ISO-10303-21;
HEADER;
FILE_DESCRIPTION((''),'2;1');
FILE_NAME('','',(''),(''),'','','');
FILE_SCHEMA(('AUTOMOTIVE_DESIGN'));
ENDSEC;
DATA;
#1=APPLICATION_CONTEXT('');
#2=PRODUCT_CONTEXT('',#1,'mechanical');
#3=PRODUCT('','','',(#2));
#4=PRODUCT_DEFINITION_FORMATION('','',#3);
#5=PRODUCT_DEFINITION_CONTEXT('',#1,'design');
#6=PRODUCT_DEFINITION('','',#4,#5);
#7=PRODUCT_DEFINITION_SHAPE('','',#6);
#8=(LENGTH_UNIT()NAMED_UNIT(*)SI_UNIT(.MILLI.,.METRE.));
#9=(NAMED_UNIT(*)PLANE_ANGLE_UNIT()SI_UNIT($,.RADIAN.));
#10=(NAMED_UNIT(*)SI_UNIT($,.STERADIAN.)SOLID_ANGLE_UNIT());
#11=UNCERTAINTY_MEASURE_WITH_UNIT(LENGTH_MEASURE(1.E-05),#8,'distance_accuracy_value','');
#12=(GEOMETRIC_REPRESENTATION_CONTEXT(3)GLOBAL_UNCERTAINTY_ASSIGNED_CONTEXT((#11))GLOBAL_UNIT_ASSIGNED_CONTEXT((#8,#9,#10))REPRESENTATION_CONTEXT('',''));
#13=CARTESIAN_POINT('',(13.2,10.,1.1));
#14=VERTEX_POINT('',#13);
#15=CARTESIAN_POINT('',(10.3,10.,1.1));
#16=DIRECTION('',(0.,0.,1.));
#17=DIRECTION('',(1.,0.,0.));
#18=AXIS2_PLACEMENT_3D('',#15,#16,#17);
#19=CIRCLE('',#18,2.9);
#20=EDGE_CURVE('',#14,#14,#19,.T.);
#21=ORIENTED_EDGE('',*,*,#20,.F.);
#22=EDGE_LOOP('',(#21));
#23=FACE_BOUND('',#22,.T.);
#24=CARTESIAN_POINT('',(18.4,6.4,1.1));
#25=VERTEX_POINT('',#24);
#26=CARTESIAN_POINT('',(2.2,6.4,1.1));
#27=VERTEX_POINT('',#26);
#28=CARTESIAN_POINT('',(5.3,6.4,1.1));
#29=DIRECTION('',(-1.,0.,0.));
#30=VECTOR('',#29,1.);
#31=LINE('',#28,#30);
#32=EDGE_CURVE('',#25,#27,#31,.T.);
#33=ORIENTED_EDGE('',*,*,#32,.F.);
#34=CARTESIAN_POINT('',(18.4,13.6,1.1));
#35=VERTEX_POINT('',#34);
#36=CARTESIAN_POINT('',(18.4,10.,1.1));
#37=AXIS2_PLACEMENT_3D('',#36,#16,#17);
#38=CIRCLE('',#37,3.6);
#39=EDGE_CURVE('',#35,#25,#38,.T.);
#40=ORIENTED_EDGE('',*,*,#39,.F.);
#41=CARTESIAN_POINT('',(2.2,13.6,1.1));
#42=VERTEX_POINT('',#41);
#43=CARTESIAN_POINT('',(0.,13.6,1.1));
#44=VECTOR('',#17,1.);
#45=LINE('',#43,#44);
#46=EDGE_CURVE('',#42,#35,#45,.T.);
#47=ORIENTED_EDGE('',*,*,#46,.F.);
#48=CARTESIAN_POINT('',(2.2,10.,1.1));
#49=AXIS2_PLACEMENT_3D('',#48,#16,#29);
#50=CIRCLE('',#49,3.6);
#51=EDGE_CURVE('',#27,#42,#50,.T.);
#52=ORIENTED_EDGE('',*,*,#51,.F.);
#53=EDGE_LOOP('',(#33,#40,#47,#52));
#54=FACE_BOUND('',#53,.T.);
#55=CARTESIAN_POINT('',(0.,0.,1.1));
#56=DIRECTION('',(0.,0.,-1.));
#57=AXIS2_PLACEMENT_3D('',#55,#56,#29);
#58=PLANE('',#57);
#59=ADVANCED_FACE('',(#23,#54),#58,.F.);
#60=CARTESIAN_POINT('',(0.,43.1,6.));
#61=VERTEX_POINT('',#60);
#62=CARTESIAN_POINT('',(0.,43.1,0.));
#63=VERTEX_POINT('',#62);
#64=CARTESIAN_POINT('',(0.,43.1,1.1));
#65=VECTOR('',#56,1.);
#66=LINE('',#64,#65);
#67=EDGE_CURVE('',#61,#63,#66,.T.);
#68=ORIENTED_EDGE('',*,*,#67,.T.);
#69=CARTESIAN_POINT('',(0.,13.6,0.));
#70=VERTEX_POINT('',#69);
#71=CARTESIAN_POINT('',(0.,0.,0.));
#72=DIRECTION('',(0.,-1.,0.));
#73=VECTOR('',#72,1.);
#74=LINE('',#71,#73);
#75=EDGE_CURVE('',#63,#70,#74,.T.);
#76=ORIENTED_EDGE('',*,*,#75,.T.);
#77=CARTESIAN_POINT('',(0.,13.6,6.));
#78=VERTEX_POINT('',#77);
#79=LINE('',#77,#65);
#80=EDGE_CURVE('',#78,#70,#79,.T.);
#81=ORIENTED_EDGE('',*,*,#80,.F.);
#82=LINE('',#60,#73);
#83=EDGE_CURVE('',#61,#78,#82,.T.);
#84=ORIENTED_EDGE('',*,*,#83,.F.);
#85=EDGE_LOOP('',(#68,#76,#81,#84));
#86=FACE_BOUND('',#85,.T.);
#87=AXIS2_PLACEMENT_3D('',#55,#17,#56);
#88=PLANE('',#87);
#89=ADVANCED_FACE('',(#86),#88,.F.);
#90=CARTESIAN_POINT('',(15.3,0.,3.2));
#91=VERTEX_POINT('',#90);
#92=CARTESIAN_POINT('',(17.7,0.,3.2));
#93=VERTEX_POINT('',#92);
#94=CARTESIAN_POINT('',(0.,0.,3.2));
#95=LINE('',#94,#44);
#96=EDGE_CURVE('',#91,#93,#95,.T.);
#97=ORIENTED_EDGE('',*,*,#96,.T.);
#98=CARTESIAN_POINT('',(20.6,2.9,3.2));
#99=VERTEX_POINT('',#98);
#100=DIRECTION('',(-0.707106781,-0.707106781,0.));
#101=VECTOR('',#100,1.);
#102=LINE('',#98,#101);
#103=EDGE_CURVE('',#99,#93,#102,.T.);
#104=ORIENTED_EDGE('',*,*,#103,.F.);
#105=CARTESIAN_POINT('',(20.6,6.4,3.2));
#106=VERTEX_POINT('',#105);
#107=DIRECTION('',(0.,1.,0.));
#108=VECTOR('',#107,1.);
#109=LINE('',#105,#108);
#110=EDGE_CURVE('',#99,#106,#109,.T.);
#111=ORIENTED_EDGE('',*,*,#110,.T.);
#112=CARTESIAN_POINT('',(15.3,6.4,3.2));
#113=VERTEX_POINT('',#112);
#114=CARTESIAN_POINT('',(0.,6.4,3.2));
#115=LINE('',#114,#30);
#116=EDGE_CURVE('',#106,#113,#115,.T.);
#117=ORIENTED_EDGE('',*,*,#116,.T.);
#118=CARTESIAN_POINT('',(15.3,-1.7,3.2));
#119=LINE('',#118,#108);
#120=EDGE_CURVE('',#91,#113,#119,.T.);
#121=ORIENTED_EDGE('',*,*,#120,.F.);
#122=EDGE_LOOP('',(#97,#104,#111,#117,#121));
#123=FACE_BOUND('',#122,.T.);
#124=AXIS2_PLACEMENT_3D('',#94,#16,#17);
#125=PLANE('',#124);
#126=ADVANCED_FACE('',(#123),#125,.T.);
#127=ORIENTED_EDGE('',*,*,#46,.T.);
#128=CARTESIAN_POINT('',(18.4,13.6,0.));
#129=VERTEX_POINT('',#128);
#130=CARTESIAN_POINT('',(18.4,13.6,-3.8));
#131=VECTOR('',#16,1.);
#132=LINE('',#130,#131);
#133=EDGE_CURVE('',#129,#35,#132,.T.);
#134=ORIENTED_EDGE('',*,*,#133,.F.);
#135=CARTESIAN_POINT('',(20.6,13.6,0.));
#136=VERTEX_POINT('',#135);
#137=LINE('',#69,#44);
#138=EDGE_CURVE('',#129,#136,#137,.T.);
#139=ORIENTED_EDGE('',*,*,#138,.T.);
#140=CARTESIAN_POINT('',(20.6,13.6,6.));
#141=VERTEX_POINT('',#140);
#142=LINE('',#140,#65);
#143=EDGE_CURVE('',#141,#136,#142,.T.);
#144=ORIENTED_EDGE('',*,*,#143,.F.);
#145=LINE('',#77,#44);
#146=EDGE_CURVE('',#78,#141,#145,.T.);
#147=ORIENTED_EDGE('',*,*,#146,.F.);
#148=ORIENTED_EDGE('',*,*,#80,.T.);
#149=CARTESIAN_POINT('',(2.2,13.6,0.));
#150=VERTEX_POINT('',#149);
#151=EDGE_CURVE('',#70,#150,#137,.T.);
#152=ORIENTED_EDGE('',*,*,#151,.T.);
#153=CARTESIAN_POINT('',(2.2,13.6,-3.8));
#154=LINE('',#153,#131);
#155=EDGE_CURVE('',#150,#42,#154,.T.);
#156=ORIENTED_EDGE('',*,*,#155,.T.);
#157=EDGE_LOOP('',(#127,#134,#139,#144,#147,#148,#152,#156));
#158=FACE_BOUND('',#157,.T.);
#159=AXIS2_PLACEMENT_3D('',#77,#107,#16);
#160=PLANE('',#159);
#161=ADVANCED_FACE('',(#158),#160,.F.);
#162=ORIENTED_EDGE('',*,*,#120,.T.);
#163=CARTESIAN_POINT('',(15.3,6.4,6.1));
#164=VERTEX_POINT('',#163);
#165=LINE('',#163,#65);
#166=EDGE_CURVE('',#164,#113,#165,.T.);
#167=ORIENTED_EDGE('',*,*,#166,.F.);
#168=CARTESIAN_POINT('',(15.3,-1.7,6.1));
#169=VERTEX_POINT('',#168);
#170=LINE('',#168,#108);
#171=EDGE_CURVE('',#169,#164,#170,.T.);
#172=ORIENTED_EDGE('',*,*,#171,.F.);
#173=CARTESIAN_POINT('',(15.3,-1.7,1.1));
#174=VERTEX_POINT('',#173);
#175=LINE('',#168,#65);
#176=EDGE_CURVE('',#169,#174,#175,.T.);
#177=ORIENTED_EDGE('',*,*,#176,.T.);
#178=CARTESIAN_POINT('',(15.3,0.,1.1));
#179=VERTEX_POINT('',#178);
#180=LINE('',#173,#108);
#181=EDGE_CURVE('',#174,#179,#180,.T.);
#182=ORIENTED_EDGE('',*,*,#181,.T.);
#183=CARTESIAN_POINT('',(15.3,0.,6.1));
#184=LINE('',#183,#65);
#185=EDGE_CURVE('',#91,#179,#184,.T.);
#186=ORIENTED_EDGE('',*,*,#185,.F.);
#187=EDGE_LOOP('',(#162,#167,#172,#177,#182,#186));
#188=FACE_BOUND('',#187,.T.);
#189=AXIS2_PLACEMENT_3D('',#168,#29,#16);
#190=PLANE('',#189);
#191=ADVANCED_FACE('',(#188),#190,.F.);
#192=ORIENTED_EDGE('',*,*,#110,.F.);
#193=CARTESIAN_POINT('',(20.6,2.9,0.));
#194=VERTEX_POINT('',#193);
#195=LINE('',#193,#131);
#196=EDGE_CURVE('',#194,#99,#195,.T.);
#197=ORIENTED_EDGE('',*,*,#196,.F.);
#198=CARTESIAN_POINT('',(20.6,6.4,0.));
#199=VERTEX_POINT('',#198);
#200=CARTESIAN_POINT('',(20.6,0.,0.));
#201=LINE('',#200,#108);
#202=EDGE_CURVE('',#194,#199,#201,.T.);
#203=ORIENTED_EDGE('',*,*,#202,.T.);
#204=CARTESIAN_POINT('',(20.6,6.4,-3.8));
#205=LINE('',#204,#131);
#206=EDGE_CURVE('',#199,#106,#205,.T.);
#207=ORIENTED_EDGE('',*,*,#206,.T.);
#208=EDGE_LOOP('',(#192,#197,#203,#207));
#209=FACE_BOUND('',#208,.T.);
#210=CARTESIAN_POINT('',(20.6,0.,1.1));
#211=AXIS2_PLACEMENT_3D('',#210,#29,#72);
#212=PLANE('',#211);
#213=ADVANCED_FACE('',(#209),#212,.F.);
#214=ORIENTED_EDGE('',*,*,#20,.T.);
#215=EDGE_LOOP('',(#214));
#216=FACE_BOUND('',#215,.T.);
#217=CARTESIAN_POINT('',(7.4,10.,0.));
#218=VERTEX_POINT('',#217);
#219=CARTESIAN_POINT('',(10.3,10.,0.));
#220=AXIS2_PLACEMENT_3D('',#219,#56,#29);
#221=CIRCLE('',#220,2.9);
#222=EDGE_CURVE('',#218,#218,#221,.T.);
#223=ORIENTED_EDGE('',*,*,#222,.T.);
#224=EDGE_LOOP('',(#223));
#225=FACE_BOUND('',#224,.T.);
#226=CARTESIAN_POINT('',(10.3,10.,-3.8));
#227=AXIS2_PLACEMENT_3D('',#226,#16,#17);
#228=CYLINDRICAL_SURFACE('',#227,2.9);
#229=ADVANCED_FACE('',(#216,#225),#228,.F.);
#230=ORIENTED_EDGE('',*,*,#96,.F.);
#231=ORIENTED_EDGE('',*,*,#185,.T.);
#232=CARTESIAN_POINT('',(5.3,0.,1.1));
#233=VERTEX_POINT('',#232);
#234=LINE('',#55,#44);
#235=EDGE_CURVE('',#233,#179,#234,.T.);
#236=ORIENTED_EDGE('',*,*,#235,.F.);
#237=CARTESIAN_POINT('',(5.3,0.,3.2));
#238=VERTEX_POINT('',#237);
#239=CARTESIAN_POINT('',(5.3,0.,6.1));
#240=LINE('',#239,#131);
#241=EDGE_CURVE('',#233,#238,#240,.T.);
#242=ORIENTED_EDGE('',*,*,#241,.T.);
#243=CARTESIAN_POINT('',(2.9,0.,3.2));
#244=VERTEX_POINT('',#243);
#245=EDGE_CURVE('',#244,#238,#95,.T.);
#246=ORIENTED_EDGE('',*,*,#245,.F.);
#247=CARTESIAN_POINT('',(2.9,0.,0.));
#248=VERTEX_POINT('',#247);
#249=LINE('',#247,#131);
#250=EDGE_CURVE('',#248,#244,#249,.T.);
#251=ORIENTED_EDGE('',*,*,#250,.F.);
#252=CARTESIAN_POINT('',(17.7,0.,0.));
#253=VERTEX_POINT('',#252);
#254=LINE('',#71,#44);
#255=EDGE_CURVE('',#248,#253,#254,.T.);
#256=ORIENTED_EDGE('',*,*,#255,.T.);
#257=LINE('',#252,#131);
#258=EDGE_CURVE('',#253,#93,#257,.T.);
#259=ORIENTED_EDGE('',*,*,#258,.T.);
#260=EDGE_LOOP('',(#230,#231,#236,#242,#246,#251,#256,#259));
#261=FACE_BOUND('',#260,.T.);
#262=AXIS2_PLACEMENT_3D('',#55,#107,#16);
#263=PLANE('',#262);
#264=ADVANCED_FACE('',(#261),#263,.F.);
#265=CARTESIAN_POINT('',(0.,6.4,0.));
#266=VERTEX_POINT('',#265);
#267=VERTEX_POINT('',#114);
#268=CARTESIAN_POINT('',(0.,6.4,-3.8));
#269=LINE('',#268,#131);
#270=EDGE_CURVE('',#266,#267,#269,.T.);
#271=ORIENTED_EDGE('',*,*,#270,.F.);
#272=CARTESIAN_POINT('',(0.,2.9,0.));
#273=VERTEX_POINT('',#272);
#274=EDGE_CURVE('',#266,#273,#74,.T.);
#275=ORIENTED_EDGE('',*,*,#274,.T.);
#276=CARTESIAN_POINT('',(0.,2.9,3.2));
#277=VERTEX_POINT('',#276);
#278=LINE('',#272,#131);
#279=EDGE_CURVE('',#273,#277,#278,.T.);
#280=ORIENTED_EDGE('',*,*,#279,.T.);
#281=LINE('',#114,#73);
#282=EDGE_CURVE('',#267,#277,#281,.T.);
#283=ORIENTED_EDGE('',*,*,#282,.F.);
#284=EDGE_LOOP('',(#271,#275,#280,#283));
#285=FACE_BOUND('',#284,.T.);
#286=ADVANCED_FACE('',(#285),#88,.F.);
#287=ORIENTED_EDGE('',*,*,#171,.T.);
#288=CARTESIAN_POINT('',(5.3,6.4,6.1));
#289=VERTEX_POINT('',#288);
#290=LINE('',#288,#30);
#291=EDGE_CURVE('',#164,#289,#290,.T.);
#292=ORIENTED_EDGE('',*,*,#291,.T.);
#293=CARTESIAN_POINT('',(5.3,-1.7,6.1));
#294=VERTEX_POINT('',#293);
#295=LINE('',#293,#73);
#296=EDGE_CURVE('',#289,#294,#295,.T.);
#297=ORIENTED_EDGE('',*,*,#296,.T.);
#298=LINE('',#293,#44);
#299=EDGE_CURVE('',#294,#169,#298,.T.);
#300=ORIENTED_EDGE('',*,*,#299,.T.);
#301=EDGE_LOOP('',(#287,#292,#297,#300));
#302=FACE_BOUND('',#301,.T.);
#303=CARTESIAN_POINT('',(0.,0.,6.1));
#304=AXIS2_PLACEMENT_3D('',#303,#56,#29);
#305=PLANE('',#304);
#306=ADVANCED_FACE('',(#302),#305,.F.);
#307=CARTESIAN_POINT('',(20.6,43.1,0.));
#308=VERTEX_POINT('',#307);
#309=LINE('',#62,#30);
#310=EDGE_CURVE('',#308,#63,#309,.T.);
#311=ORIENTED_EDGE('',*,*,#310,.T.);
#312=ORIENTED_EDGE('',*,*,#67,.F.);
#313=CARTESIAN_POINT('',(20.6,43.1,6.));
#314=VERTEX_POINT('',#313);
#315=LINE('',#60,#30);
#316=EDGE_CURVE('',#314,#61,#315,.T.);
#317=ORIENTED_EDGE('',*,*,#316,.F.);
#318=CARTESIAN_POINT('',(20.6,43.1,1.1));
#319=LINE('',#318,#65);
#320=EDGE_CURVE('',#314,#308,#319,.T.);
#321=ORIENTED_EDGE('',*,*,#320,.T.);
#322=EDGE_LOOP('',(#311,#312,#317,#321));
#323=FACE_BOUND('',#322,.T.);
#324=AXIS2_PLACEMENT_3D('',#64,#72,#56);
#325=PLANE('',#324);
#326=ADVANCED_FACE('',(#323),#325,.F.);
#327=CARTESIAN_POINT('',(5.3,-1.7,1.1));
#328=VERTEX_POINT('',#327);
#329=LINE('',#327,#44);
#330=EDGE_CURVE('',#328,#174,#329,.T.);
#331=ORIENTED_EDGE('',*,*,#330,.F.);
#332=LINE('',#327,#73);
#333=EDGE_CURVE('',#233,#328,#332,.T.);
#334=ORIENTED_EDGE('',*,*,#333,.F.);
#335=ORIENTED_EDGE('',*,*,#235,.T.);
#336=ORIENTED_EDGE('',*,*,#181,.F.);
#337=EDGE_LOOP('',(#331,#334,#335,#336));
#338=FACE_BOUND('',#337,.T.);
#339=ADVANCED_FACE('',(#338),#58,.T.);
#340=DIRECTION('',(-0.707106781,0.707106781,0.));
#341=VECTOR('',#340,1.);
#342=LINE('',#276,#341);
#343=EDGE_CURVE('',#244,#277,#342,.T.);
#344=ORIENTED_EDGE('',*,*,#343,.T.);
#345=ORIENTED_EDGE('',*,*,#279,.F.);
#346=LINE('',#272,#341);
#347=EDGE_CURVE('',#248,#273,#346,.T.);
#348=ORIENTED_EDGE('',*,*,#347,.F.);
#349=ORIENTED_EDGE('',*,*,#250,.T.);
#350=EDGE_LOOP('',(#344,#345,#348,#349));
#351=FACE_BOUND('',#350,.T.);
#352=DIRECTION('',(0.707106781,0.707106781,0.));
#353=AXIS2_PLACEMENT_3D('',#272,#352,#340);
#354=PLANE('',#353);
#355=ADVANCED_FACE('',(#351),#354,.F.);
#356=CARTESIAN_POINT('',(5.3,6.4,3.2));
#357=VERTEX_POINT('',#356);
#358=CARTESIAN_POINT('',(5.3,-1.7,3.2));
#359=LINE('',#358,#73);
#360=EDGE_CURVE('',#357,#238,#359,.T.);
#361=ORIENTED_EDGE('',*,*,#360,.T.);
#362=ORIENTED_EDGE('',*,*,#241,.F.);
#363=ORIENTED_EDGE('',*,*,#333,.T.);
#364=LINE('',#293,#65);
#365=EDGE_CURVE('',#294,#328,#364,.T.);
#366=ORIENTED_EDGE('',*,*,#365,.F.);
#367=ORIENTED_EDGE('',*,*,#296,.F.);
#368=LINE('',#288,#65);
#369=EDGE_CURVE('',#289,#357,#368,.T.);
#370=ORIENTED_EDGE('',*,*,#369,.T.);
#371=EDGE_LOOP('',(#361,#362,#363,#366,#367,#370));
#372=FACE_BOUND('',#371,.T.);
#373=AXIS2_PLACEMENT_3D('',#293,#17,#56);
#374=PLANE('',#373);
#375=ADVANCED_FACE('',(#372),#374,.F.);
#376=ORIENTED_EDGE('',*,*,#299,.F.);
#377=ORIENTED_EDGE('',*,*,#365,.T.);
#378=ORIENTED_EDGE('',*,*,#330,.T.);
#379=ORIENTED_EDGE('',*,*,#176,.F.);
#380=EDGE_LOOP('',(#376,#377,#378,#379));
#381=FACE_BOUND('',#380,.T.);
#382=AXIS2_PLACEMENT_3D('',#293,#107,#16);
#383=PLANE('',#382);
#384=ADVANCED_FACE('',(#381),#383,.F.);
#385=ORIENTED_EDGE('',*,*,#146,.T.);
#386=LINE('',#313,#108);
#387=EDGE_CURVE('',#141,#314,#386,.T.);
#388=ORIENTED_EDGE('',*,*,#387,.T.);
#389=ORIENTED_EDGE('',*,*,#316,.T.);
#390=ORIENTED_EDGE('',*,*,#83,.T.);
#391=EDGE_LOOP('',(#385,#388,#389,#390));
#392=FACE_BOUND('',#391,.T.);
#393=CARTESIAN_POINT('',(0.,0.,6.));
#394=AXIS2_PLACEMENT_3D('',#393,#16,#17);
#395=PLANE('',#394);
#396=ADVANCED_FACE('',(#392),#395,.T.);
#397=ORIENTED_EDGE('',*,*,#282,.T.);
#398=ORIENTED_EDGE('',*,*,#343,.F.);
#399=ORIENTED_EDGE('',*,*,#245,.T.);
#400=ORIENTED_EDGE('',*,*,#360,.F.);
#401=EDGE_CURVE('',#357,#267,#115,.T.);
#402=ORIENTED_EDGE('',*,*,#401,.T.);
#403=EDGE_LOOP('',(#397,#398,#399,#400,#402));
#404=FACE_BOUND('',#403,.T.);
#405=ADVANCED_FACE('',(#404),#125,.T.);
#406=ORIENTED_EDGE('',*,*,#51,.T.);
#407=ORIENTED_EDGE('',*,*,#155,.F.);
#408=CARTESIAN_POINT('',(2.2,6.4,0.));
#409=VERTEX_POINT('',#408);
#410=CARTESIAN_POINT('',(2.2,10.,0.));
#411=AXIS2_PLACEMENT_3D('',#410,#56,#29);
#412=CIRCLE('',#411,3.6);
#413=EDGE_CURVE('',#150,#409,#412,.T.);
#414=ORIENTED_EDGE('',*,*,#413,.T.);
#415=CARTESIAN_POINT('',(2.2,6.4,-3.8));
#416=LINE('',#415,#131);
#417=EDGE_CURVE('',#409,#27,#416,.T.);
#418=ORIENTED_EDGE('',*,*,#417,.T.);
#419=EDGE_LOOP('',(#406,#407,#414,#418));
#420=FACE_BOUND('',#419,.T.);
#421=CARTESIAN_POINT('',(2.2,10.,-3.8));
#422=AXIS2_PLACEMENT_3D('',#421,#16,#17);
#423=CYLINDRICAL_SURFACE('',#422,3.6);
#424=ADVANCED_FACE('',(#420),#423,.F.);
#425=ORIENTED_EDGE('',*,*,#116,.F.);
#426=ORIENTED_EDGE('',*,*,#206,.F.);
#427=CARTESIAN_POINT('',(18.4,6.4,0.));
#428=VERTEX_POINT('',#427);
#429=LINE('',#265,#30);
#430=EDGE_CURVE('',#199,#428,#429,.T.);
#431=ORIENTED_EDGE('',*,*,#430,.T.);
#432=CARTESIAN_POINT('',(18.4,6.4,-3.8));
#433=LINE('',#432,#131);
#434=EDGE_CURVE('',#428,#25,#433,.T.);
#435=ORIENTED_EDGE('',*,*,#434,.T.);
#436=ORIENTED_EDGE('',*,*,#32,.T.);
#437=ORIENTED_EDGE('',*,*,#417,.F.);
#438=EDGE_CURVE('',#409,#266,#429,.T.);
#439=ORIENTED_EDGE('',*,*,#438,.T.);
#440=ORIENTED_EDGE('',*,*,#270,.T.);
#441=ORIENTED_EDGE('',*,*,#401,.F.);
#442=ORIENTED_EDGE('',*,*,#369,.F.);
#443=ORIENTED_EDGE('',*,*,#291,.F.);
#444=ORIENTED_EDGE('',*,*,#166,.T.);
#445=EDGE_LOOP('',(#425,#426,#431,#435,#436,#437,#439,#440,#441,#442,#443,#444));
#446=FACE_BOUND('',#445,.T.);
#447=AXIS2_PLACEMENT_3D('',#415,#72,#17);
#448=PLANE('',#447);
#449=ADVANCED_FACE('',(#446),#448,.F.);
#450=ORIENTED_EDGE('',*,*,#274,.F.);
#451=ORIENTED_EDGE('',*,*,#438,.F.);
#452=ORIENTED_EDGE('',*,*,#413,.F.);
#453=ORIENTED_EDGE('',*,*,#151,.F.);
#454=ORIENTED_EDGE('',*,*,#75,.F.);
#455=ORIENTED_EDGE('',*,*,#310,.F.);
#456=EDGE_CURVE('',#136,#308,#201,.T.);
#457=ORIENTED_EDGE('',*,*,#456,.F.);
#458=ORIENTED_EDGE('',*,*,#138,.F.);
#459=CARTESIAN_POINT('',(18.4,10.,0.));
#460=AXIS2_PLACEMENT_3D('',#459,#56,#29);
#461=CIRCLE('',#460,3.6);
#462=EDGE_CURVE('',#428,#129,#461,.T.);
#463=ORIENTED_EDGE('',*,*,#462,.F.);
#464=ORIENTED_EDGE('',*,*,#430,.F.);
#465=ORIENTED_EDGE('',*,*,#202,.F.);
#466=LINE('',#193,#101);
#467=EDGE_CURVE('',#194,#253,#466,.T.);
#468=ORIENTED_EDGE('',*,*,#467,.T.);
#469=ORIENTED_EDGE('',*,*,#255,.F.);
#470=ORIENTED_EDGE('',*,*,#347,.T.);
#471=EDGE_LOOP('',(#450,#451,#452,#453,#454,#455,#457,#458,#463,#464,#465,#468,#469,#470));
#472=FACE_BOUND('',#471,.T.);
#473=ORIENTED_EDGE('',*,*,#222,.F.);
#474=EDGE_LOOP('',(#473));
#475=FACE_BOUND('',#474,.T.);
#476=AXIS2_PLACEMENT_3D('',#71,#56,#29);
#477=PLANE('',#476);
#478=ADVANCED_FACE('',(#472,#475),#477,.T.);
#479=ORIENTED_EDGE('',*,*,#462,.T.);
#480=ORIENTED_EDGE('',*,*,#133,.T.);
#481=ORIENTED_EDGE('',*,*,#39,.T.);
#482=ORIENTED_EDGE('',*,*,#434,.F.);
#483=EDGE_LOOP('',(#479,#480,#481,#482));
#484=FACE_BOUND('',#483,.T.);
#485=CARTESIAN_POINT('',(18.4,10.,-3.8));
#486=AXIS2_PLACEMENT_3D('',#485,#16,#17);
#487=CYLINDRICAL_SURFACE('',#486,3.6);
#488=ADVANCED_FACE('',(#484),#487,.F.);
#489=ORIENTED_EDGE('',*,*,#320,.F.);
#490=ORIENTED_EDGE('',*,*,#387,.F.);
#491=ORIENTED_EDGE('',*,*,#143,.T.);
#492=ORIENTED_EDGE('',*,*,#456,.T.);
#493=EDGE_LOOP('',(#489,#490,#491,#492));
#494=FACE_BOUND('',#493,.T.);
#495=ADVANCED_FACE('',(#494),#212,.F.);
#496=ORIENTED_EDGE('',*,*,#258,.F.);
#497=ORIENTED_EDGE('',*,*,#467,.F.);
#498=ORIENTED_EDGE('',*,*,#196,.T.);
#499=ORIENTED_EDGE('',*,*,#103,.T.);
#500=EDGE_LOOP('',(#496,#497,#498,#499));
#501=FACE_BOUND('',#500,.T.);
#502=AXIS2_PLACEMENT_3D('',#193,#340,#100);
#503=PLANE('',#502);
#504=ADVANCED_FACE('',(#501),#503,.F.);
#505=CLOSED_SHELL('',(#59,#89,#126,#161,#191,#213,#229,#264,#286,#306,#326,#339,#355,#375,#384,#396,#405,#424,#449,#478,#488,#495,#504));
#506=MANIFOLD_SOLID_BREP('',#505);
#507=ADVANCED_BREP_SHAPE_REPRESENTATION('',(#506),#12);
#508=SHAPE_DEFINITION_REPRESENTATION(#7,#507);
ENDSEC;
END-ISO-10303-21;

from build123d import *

# Parameters (mm, degrees)
SKETCH1_W           = 20.6
SKETCH1_H           = 43.1
BOSS_EXTRUDE1_DEPTH = 1.1
SKETCH2_W           = 20.6
SKETCH2_H           = 29.5
BOSS_EXTRUDE2_DEPTH = 4.9
SKETCH3_R           = 2.9
CUT_EXTRUDE1_DEPTH  = 4.9
SKETCH4_W           = 10
SKETCH4_H           = 8.1
BOSS_EXTRUDE3_DEPTH = 5
SKETCH5_W           = 20.6
SKETCH5_H           = 6.4
BOSS_EXTRUDE4_DEPTH = 2.1
CUT_EXTRUDE2_DEPTH  = 48.877029983


with BuildPart() as part:
    # Sketch1 → Boss-Extrude1 (new body)
    with BuildSketch(Plane.XY):
        with Locations((10.3, 21.55)):
            Rectangle(SKETCH1_W, SKETCH1_H)
    extrude(amount=BOSS_EXTRUDE1_DEPTH)

    # Sketch2 → Boss-Extrude2 (add)
    with BuildSketch(Plane.XY.offset(1.1)):
        with Locations((10.3, 28.35)):
            Rectangle(SKETCH2_W, SKETCH2_H)
    extrude(amount=BOSS_EXTRUDE2_DEPTH)

    # Sketch3 → Cut-Extrude1 (cut)
    with BuildSketch(Plane.XY.offset(1.1)):
        with Locations((10.3, 10)):
            Circle(SKETCH3_R)
        with BuildLine():
            Line((0, 13.6), (2.2, 13.6))
            ThreePointArc((2.2, 13.6), (5.8, 10), (2.2, 6.4))
            Line((2.2, 6.4), (0, 6.4))
            Line((0, 6.4), (0, 13.6))
        make_face()
        with BuildLine():
            Line((20.6, 13.6), (18.4, 13.6))
            ThreePointArc((18.4, 13.6), (14.8, 10), (18.4, 6.4))
            Line((18.4, 6.4), (20.6, 6.4))
            Line((20.6, 6.4), (20.6, 13.6))
        make_face()
    extrude(amount=-CUT_EXTRUDE1_DEPTH, mode=Mode.SUBTRACT)

    # Sketch4 → Boss-Extrude3 (add)
    with BuildSketch(Plane.XY.offset(1.1)):
        with Locations((10.3, 2.35)):
            Rectangle(SKETCH4_W, SKETCH4_H)
    extrude(amount=BOSS_EXTRUDE3_DEPTH)

    # Sketch5 → Boss-Extrude4 (add)
    with BuildSketch(Plane.XY.offset(1.1)):
        with Locations((10.3, 3.2)):
            Rectangle(SKETCH5_W, SKETCH5_H)
    extrude(amount=BOSS_EXTRUDE4_DEPTH)

    # Sketch6 → Cut-Extrude2 (cut, through all)
    with BuildSketch(Plane.XY.offset(3.2)):
        Polygon((0, 0), (0, 2.9), (2.9, 0), align=None)
        Polygon((20.6, 0), (20.6, 2.9), (17.7, 0), align=None)
    extrude(amount=-CUT_EXTRUDE2_DEPTH, mode=Mode.SUBTRACT)


solid = part.part
